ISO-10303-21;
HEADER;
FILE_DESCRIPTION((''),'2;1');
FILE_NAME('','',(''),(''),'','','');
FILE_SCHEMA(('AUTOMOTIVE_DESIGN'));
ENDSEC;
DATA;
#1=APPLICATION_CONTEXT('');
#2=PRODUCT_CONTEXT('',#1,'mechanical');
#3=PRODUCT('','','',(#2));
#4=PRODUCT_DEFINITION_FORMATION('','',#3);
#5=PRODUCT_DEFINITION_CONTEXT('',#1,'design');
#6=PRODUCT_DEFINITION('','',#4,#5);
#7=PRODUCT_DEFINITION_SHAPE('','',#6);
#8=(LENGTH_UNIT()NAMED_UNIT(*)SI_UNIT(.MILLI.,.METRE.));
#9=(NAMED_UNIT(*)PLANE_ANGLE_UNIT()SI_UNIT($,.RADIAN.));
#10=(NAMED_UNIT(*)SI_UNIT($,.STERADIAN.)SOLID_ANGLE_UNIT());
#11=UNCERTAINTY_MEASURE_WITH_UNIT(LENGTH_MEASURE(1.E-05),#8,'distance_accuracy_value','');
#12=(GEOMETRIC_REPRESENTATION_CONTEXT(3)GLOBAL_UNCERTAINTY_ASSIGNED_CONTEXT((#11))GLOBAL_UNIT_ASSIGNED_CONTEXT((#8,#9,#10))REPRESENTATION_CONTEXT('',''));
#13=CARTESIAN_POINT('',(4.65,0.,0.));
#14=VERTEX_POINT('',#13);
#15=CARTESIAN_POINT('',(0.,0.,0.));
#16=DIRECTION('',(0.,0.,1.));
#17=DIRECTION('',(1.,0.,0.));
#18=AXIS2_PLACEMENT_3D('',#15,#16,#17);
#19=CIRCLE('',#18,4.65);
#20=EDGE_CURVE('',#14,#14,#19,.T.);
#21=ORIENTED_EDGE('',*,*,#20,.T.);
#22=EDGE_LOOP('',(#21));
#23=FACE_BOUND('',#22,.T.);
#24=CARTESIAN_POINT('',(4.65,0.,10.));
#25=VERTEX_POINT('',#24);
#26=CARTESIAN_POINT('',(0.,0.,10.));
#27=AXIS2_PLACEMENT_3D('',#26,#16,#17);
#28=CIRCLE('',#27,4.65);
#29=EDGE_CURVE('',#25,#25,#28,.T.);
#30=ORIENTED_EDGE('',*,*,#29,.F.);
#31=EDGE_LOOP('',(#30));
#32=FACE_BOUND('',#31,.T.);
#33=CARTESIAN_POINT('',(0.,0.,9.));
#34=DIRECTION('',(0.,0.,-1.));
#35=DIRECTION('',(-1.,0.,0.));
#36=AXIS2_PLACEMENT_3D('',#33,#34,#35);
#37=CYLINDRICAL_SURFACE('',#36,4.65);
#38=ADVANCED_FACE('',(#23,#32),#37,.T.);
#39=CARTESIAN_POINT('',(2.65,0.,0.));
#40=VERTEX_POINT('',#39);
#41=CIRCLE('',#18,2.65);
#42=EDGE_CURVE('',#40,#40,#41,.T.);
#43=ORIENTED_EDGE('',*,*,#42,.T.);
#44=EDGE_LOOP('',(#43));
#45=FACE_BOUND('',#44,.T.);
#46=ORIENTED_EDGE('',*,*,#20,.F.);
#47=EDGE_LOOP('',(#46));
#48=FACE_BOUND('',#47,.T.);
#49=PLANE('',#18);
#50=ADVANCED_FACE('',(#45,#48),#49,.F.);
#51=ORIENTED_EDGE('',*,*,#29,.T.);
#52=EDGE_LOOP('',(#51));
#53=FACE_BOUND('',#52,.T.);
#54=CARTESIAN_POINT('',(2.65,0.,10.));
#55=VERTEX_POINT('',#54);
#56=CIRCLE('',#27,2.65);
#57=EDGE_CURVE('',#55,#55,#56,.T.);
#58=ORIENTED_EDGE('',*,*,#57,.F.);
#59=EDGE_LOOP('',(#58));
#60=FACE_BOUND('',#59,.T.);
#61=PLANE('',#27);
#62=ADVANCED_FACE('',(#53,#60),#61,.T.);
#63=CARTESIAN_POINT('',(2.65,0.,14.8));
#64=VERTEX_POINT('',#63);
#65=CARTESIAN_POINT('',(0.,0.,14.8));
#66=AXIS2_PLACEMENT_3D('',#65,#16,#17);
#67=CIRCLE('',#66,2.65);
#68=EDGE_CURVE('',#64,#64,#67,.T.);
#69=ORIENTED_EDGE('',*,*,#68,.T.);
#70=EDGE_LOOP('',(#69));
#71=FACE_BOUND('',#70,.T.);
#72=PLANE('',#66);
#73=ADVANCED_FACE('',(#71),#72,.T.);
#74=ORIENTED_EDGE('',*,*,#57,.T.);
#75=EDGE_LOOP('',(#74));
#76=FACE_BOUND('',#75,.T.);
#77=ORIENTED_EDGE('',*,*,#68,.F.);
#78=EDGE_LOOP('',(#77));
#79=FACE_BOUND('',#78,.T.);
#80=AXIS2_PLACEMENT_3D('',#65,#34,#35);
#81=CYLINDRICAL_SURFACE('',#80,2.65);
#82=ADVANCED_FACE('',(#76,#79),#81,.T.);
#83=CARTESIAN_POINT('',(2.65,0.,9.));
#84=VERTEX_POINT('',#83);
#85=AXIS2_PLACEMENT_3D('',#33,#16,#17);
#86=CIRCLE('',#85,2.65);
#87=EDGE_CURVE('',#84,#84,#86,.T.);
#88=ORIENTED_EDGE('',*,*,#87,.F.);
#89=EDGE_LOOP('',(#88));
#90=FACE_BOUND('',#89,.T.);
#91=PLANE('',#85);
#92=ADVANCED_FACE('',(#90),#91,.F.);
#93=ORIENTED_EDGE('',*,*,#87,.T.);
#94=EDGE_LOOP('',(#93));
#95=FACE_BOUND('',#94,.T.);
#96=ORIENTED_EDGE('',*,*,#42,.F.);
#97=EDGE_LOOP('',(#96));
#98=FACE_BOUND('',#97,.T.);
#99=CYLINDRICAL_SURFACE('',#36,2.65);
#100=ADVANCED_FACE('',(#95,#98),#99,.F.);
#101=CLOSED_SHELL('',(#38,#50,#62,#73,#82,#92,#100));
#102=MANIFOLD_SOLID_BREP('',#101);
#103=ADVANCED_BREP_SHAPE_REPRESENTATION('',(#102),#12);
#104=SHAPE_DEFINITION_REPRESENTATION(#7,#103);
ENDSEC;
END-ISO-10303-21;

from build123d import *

# Parameters (mm, degrees)
SKETCH1_R           = 4.65
SKETCH1_R_2         = 2.65
BOSS_EXTRUDE1_DEPTH = 9
SKETCH2_R           = 4.65
BOSS_EXTRUDE2_DEPTH = 1
SKETCH3_R           = 2.65
BOSS_EXTRUDE3_DEPTH = 4.8


with BuildPart() as part:
    # Sketch1 → Boss-Extrude1 (new body)
    with BuildSketch(Plane.XY):
        Circle(SKETCH1_R)
        Circle(SKETCH1_R_2, mode=Mode.SUBTRACT)
    extrude(amount=BOSS_EXTRUDE1_DEPTH)

    # Sketch2 → Boss-Extrude2 (add)
    with BuildSketch(Plane.XY.offset(9)):
        Circle(SKETCH2_R)
    extrude(amount=BOSS_EXTRUDE2_DEPTH)

    # Sketch3 → Boss-Extrude3 (add)
    with BuildSketch(Plane.XY.offset(10)):
        Circle(SKETCH3_R)
    extrude(amount=BOSS_EXTRUDE3_DEPTH)


solid = part.part
